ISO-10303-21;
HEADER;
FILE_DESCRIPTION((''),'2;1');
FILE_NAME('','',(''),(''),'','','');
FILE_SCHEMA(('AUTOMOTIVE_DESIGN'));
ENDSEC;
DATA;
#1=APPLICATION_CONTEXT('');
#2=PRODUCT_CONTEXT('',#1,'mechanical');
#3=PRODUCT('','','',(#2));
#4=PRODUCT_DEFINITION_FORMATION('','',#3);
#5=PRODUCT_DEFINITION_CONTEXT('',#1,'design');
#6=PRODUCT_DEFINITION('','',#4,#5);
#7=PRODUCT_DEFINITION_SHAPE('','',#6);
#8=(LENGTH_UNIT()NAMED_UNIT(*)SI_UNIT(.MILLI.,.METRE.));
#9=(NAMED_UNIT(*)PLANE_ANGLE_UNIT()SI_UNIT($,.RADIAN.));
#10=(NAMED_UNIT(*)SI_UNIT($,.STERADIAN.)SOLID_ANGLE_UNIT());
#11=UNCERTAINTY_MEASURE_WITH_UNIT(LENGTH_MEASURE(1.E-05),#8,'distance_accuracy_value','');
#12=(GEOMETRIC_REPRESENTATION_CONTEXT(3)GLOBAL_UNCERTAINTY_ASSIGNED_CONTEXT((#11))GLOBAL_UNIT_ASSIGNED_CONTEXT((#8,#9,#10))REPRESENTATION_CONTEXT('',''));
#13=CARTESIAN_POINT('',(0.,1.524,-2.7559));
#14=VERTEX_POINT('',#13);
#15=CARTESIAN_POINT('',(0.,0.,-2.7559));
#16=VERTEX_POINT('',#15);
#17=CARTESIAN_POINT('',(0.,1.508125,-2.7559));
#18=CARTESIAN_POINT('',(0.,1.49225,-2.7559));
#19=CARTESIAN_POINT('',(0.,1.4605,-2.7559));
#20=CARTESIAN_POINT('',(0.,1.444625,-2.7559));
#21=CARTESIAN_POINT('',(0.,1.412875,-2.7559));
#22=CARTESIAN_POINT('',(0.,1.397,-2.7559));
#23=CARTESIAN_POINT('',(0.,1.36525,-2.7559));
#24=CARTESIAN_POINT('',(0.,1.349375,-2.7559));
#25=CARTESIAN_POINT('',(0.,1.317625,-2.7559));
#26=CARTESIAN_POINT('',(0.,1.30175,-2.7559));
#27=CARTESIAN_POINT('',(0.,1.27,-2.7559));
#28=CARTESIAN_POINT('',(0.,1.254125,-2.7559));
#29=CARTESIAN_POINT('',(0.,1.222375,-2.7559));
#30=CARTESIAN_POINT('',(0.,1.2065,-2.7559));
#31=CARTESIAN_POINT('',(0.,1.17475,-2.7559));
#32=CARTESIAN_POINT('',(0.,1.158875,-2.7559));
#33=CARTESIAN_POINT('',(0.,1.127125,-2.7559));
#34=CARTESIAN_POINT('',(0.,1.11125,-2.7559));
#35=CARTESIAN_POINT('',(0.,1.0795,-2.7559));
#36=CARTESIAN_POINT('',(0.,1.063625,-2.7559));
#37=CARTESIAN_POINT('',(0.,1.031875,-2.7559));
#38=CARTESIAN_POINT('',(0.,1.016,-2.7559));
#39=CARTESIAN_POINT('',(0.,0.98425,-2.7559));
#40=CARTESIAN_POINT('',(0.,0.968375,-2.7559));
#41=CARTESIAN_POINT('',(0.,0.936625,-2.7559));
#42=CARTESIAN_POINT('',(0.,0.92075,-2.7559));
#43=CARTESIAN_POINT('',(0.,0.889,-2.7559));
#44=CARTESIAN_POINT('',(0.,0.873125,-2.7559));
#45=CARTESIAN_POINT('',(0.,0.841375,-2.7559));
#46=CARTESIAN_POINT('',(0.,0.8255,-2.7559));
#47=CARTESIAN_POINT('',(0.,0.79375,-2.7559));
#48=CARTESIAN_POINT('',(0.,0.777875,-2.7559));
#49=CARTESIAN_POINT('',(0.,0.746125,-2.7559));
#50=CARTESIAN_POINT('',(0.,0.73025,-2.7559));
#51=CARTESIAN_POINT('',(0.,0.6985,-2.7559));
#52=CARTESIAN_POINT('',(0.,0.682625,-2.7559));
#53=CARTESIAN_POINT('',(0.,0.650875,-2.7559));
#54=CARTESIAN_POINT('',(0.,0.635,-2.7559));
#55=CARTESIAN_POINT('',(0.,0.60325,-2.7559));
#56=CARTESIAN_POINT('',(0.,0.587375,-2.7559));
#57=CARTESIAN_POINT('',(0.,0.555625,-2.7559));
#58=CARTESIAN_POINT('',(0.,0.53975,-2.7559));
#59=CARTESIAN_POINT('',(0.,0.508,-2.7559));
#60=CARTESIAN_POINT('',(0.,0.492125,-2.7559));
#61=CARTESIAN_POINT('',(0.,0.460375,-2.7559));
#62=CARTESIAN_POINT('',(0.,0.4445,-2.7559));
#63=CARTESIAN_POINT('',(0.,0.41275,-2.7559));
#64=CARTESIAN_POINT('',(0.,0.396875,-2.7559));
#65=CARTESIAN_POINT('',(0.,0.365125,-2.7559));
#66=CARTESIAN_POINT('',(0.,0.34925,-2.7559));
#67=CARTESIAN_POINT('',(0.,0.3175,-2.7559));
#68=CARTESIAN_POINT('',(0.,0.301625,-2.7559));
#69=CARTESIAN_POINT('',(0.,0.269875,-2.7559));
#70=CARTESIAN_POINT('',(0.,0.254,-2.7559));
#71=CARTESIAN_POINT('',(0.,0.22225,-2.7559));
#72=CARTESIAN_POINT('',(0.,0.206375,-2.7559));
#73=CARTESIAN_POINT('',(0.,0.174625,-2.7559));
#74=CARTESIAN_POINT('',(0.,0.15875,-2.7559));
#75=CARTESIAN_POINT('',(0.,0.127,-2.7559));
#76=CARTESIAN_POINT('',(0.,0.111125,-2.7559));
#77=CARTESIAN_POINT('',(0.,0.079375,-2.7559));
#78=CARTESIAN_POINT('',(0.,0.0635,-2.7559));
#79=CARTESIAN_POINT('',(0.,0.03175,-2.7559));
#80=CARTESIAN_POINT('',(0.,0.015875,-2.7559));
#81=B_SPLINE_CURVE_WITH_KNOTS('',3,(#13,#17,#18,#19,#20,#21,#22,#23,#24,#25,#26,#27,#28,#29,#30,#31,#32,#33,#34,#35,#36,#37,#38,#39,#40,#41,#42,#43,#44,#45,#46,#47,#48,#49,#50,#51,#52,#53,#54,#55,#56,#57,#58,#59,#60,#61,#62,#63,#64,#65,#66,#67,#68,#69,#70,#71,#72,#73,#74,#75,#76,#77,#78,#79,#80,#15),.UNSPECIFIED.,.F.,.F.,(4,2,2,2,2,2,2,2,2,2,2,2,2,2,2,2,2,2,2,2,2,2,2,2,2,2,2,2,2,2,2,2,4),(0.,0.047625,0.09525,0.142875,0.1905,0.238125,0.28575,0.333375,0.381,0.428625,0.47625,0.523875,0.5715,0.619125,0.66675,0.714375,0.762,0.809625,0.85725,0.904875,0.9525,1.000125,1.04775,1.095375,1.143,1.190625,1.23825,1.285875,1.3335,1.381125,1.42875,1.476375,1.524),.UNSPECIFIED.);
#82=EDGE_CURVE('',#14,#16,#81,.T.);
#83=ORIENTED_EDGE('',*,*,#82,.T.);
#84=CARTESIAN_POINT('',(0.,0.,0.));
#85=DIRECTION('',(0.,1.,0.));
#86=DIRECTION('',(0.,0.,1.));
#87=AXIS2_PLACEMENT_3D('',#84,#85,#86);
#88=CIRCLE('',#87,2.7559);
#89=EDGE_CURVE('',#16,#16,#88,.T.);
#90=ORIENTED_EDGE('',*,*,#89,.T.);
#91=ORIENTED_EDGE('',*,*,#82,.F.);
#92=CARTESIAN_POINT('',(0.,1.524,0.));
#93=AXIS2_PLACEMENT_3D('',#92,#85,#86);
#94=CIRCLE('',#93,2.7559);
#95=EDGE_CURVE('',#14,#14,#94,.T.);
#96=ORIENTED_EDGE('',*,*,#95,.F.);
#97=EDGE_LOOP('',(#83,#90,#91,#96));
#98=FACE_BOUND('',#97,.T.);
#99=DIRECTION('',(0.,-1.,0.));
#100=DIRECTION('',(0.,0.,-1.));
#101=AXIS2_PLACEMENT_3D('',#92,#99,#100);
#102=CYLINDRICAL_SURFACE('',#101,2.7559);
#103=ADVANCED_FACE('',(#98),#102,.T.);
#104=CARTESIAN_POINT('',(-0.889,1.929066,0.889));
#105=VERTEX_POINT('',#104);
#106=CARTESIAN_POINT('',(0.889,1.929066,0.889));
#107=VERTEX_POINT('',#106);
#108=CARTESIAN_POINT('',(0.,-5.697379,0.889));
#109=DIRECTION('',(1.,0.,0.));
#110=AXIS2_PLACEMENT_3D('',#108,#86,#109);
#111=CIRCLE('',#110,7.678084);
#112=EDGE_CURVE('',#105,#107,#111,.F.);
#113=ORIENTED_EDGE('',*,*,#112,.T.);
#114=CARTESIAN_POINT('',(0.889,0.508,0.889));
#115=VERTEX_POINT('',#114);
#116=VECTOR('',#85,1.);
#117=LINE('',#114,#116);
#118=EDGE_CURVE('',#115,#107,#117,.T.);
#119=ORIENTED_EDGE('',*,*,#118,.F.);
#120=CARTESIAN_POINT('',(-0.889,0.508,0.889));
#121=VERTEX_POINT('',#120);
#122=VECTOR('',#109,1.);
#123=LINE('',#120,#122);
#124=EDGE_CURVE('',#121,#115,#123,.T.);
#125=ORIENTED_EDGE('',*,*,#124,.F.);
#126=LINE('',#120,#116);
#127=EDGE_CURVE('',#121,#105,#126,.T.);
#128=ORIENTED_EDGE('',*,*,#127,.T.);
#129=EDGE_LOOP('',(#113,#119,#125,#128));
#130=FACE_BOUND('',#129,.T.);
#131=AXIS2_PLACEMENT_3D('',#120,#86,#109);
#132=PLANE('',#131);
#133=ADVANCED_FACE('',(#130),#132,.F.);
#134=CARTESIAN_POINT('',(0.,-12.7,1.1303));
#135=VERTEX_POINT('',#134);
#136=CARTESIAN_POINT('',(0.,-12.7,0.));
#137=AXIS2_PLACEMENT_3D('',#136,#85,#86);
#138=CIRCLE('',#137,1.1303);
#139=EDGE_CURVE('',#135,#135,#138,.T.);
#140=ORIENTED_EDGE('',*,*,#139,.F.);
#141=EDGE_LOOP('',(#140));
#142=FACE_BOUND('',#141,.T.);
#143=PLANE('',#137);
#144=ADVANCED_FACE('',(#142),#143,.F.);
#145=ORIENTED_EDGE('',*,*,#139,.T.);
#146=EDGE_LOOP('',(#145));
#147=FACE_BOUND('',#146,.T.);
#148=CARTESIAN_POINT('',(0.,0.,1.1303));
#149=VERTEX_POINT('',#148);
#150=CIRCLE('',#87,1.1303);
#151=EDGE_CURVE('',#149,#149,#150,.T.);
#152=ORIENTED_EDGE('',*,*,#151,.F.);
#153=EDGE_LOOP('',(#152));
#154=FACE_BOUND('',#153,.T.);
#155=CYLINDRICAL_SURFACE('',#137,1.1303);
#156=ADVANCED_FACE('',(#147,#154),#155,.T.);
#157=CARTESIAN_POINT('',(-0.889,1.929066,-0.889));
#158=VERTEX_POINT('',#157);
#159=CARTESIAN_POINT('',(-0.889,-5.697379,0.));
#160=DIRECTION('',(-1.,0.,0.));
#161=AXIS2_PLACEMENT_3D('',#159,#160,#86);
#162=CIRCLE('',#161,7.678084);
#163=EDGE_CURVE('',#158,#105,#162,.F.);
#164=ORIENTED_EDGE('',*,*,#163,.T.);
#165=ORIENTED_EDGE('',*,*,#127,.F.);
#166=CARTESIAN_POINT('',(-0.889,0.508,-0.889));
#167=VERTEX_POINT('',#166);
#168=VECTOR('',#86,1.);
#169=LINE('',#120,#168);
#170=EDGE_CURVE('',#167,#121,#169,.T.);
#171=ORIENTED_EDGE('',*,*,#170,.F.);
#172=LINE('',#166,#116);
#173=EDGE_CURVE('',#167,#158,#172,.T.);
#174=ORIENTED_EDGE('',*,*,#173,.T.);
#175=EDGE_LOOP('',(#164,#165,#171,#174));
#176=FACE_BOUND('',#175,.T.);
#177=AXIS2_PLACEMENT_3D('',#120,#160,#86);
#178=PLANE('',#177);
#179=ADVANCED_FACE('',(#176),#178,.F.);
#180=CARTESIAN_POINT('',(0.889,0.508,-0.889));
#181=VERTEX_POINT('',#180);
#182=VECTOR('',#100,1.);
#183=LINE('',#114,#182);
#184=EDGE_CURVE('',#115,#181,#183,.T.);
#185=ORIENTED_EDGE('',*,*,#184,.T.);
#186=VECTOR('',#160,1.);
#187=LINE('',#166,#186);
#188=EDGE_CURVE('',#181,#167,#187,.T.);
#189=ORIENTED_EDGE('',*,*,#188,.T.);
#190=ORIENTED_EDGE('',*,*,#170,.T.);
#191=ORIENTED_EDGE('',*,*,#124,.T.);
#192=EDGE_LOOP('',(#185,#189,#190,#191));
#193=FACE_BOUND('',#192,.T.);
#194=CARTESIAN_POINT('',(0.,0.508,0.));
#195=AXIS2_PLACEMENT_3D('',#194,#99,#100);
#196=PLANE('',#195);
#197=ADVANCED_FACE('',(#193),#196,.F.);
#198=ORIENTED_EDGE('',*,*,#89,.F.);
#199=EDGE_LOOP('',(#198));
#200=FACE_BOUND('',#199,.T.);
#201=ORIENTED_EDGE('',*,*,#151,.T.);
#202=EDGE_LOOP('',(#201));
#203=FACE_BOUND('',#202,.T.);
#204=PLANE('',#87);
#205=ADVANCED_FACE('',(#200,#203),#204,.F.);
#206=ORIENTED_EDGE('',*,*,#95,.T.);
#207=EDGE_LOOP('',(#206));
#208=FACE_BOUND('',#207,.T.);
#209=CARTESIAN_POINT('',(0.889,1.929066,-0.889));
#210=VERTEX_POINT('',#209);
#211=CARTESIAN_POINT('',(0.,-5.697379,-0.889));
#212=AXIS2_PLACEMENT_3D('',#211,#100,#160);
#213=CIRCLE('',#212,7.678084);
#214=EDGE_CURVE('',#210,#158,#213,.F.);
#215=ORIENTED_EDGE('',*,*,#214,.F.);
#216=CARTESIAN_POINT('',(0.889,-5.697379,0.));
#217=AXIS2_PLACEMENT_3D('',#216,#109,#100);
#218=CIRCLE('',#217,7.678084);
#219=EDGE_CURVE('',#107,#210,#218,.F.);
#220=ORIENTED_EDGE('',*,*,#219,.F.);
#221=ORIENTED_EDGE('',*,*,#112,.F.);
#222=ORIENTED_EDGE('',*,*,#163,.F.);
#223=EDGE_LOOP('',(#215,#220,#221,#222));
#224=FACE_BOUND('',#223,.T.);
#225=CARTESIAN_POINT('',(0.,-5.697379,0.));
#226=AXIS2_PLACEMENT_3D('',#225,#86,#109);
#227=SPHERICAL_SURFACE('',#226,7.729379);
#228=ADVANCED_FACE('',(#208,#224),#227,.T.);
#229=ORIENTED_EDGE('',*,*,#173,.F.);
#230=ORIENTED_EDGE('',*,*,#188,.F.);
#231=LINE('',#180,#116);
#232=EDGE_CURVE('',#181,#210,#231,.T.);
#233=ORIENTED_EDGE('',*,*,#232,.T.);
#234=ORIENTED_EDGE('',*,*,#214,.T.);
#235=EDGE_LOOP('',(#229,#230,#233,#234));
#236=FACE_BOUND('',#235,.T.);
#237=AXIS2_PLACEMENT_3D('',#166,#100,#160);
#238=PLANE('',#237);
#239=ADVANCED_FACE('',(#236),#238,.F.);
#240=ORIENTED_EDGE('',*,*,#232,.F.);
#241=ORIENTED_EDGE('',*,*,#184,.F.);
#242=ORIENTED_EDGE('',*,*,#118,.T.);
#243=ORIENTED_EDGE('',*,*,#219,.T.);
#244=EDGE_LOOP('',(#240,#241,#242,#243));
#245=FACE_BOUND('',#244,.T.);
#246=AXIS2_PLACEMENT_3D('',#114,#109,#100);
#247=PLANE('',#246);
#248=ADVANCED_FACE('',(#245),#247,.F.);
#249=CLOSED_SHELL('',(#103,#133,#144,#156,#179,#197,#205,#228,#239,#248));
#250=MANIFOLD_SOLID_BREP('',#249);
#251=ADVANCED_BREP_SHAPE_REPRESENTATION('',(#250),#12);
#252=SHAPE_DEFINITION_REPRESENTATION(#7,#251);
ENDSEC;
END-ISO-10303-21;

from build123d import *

# Parameters (mm, degrees)
SKETCH1_R            = 1.1303
THREADS_DEPTH        = 12.7
SKETCH2_R            = 2.7559
HEAD_DEPTH           = 1.524
HEADDOME_FACE_RADIUS = 2.7559
HEADDOME_HEIGHT      = 0.508
SKETCH3_W            = 1.778
SKETCH3_H            = 1.778
DRIVER_DEPTH         = 1.524


with BuildPart() as part:
    # Sketch1 → threads (new body)
    with BuildSketch(Plane(origin=(0, 0, 0), x_dir=(1, 0, 0), z_dir=(0, 1, 0))):
        with Locations(Location((0, 0, 0), (0, 0, 270))):
            Circle(SKETCH1_R)
    extrude(amount=-THREADS_DEPTH)

    # Sketch2 → Head (add)
    with BuildSketch(Plane(origin=(0, 0, 0), x_dir=(1, 0, 0), z_dir=(0, 1, 0))):
        with Locations(Location((0, 0, 0), (0, 0, 90))):
            Circle(SKETCH2_R)
    extrude(amount=HEAD_DEPTH)

    # HeadDome: a dome of height H over a round flat face of radius A is a cap of a sphere of radius (A * A + H * H) / (2 * H)
    headdome_r = (HEADDOME_FACE_RADIUS * HEADDOME_FACE_RADIUS + HEADDOME_HEIGHT * HEADDOME_HEIGHT) / (2 * HEADDOME_HEIGHT)
    headdome_base = Plane((0, 1.524, 0), z_dir=(0, 1, 0))
    with Locations(headdome_base.offset(HEADDOME_HEIGHT - headdome_r)):
        headdome_ball = Sphere(headdome_r, mode=Mode.PRIVATE)
    add(split(headdome_ball, bisect_by=headdome_base, keep=Keep.TOP, mode=Mode.PRIVATE))

    # Sketch3 → Driver (cut)
    with BuildSketch(Plane(origin=(0, 2.032, 0), x_dir=(1, 0, 0), z_dir=(0, 1, 0))):
        Rectangle(SKETCH3_W, SKETCH3_H)
    extrude(amount=-DRIVER_DEPTH, mode=Mode.SUBTRACT)


solid = part.part
